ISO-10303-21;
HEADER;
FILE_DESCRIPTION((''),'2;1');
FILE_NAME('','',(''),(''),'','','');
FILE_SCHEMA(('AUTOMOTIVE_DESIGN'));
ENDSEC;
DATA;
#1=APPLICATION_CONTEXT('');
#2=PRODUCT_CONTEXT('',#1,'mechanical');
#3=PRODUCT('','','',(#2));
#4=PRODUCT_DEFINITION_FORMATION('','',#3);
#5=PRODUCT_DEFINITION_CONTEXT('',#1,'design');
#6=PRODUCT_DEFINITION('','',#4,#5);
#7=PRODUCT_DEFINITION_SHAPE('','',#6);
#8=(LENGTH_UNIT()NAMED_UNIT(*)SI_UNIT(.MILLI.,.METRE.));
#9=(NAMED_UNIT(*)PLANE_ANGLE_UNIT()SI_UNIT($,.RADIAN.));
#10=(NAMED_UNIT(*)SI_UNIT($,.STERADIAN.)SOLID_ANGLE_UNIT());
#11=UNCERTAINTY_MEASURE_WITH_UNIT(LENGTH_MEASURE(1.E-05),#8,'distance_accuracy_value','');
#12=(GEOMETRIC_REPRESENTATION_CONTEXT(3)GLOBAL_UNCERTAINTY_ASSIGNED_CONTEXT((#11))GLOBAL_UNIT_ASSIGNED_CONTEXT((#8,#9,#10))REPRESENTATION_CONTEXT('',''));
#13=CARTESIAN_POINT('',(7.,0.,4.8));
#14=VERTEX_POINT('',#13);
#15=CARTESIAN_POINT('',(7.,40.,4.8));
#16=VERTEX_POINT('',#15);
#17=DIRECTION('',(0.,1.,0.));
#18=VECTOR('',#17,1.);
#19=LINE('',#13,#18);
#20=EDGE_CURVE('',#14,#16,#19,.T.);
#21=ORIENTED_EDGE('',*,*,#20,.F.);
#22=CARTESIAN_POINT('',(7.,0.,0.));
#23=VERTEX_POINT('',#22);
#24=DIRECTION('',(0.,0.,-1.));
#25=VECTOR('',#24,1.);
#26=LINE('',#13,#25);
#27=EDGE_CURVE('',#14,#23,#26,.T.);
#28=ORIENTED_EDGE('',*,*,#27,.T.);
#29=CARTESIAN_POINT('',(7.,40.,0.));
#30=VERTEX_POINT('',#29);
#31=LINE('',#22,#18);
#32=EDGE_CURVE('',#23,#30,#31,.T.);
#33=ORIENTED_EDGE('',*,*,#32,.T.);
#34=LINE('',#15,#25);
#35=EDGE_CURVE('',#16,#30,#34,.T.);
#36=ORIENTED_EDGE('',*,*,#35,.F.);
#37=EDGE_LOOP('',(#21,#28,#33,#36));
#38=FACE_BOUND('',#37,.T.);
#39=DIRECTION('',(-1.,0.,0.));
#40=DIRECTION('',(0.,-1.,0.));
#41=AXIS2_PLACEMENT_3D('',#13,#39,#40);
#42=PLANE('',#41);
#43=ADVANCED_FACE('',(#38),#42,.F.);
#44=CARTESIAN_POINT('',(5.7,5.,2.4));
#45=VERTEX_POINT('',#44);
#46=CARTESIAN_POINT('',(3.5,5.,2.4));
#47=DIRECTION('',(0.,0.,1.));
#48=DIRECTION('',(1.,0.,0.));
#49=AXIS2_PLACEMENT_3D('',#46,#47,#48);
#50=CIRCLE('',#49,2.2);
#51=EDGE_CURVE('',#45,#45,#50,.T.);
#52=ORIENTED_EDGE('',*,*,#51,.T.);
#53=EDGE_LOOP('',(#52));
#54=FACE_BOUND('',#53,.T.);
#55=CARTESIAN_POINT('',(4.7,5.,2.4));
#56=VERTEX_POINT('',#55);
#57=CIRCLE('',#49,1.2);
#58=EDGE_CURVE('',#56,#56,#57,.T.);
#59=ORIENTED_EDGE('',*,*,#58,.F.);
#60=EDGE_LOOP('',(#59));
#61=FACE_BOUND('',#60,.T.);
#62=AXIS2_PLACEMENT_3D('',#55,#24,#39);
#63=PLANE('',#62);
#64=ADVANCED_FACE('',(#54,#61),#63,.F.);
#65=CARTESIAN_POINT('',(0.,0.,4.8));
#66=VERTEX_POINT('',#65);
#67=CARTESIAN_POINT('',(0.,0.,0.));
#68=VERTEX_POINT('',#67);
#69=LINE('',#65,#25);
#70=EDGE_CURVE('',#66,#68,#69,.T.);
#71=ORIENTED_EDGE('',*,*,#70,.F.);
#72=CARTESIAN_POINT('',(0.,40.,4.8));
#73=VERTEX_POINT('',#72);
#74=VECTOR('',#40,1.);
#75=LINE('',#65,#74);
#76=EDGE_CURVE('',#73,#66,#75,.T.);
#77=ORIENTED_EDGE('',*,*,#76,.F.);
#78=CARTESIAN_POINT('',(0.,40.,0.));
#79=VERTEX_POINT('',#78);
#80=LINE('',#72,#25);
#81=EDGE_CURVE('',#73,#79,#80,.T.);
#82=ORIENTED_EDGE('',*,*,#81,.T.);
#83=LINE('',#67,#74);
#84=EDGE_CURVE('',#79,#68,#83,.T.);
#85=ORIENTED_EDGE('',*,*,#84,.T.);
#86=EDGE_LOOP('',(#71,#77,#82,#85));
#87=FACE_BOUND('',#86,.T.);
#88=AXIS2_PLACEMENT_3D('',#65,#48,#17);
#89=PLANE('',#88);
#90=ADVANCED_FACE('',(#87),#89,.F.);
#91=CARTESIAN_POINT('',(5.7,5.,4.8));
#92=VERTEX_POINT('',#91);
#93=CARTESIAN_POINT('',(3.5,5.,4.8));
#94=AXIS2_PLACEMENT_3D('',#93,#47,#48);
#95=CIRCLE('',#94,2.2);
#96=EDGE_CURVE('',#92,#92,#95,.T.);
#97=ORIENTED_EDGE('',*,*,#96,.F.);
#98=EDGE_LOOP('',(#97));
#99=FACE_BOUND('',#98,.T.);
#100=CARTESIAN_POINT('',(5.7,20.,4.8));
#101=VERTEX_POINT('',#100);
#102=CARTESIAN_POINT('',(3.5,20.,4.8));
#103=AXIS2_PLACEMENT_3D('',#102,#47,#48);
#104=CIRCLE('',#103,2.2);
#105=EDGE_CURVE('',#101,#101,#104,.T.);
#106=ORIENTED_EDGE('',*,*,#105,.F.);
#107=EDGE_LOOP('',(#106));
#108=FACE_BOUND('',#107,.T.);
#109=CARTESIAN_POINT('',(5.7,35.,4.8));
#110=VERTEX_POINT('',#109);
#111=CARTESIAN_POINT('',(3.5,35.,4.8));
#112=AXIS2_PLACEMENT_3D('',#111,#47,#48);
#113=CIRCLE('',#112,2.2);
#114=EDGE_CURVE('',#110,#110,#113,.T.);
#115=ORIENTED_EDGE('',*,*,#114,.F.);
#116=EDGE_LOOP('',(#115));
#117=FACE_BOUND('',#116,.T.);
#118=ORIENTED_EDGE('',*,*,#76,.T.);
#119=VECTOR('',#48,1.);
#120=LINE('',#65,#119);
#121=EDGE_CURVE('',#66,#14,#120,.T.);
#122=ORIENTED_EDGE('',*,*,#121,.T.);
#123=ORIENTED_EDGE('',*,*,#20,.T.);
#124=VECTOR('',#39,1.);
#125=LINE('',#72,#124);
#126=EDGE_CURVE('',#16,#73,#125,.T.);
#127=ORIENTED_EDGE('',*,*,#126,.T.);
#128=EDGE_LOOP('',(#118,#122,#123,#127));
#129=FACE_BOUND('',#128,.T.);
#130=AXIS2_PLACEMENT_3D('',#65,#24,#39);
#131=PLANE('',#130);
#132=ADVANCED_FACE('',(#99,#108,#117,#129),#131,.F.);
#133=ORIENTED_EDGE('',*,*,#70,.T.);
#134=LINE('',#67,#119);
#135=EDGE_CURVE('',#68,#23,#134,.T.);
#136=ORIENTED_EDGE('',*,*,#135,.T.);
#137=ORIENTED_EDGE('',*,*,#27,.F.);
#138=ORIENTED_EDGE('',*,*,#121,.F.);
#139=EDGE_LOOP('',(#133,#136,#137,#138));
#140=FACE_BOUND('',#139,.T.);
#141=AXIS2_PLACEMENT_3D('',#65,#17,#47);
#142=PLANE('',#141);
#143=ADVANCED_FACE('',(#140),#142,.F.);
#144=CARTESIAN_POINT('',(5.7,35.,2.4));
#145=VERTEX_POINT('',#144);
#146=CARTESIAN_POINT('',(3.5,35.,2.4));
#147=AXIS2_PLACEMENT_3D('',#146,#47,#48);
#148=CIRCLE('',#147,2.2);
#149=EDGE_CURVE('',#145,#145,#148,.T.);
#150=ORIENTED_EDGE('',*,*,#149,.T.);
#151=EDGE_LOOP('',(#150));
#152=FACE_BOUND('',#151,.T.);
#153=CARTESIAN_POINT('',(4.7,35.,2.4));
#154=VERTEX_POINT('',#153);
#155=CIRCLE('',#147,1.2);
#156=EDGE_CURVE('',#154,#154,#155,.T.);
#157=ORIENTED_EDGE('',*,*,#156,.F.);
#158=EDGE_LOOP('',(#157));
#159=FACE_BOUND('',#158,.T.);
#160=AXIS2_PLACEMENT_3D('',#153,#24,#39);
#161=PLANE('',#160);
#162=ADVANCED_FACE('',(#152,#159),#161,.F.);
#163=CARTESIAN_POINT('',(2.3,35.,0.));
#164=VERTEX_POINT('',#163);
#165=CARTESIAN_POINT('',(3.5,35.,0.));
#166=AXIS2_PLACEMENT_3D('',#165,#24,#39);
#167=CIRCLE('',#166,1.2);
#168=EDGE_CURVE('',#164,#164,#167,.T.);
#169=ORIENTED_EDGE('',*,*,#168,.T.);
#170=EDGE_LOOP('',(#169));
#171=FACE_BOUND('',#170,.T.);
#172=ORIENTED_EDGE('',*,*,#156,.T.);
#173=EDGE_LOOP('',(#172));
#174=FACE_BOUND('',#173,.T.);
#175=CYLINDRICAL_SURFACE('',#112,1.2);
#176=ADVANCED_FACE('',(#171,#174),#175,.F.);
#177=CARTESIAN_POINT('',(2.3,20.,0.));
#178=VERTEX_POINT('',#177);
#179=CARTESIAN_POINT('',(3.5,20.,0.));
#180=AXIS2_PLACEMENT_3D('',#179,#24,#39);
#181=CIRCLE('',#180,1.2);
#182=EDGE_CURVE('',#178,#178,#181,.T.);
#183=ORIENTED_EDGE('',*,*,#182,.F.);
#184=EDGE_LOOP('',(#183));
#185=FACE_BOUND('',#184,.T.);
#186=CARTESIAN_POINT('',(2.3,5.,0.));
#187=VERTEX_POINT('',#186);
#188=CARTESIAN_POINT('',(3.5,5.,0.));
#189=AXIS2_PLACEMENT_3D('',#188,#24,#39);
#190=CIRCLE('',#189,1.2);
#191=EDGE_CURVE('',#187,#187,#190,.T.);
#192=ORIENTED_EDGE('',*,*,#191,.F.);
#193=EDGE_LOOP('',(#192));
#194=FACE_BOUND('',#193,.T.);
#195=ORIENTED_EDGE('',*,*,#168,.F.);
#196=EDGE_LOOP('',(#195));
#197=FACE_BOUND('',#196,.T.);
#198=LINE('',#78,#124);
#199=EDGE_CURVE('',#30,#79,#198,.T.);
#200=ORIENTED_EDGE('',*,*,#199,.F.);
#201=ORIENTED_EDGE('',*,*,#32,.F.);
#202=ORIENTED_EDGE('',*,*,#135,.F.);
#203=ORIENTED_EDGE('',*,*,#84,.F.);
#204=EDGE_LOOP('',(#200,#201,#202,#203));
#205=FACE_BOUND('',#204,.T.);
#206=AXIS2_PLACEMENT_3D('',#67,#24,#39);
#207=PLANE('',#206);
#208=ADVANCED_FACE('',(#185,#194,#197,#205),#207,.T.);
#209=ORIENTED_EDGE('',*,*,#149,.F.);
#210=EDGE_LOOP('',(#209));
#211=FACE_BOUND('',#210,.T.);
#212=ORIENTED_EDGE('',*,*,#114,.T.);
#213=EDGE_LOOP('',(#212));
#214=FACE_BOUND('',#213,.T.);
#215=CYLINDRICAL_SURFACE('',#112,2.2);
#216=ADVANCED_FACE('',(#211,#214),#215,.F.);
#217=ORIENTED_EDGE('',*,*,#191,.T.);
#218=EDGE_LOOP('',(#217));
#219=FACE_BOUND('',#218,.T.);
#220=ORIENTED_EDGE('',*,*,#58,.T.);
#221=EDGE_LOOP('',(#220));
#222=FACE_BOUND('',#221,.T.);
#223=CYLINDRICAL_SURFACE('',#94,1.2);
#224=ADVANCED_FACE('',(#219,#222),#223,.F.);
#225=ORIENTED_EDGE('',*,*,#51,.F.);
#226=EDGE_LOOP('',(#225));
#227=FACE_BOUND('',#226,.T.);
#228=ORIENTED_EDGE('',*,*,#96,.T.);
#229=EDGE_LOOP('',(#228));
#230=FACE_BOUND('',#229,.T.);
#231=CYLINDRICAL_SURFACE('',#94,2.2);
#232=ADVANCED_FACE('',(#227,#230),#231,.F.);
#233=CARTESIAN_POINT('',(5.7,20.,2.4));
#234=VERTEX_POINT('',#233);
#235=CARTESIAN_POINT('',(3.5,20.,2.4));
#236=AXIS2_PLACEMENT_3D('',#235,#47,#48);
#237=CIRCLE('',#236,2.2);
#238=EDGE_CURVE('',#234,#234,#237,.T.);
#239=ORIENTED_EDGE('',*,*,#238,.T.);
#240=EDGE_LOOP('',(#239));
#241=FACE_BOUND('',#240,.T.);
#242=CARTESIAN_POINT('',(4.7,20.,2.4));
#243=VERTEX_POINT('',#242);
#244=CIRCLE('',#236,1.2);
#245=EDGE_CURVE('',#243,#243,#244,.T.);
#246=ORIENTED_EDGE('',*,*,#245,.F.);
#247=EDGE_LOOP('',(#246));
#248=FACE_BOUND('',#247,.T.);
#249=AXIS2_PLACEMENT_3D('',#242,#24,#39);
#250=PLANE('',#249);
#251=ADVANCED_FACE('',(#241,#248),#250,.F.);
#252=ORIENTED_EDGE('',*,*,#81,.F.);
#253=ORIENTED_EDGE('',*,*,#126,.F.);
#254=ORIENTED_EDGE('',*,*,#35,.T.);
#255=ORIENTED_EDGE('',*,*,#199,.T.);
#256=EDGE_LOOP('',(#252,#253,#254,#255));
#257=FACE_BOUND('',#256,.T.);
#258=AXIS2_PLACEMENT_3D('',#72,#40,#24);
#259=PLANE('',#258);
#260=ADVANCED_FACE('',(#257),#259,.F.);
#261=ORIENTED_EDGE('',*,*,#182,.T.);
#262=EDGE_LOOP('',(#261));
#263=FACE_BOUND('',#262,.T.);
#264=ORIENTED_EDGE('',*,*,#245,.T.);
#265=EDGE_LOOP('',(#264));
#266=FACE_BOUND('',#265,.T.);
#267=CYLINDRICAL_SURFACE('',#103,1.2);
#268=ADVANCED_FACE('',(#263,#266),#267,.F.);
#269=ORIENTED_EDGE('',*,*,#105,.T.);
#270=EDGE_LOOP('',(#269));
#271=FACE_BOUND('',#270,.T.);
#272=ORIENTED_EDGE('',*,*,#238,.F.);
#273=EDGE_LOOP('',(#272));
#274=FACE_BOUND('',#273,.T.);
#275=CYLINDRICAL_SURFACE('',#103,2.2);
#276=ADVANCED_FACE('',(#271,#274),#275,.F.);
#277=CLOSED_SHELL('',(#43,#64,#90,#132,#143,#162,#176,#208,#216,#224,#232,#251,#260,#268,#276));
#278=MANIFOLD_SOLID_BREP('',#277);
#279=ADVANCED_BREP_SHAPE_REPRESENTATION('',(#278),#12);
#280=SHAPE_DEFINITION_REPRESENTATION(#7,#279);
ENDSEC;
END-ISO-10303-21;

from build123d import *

# Parameters (mm, degrees)
SKETCH_1_W                   = 7
SKETCH_1_H                   = 40
EXTRUDE_1_DEPTH              = 4.8
HOLE_WIZARD_M2_1_D           = 2.4
HOLE_WIZARD_M2_1_DEPTH       = 10.1
HOLE_WIZARD_M2_1_CBORE_D     = 4.4
HOLE_WIZARD_M2_1_CBORE_DEPTH = 2.4
HOLE_WIZARD_M2_1_TIP         = 0.721032743


with BuildPart() as part:
    # 草图1 → 凸台-拉伸1 (new body)
    with BuildSketch(Plane.XY):
        with Locations((3.5, 20)):
            Rectangle(SKETCH_1_W, SKETCH_1_H)
    extrude(amount=EXTRUDE_1_DEPTH)

    # M2 六角凹头螺钉的柱形沉头孔1
    with Locations(Plane.XY.offset(4.8)):
        with Locations((3.5, 35), (3.5, 20), (3.5, 5)):
            CounterBoreHole(HOLE_WIZARD_M2_1_D / 2, HOLE_WIZARD_M2_1_CBORE_D / 2, HOLE_WIZARD_M2_1_CBORE_DEPTH, depth=HOLE_WIZARD_M2_1_DEPTH)
            with Locations((0, 0, -(HOLE_WIZARD_M2_1_DEPTH + HOLE_WIZARD_M2_1_TIP / 2))):  # 118° drill point
                Cone(0, HOLE_WIZARD_M2_1_D / 2, HOLE_WIZARD_M2_1_TIP, mode=Mode.SUBTRACT)


solid = part.part
